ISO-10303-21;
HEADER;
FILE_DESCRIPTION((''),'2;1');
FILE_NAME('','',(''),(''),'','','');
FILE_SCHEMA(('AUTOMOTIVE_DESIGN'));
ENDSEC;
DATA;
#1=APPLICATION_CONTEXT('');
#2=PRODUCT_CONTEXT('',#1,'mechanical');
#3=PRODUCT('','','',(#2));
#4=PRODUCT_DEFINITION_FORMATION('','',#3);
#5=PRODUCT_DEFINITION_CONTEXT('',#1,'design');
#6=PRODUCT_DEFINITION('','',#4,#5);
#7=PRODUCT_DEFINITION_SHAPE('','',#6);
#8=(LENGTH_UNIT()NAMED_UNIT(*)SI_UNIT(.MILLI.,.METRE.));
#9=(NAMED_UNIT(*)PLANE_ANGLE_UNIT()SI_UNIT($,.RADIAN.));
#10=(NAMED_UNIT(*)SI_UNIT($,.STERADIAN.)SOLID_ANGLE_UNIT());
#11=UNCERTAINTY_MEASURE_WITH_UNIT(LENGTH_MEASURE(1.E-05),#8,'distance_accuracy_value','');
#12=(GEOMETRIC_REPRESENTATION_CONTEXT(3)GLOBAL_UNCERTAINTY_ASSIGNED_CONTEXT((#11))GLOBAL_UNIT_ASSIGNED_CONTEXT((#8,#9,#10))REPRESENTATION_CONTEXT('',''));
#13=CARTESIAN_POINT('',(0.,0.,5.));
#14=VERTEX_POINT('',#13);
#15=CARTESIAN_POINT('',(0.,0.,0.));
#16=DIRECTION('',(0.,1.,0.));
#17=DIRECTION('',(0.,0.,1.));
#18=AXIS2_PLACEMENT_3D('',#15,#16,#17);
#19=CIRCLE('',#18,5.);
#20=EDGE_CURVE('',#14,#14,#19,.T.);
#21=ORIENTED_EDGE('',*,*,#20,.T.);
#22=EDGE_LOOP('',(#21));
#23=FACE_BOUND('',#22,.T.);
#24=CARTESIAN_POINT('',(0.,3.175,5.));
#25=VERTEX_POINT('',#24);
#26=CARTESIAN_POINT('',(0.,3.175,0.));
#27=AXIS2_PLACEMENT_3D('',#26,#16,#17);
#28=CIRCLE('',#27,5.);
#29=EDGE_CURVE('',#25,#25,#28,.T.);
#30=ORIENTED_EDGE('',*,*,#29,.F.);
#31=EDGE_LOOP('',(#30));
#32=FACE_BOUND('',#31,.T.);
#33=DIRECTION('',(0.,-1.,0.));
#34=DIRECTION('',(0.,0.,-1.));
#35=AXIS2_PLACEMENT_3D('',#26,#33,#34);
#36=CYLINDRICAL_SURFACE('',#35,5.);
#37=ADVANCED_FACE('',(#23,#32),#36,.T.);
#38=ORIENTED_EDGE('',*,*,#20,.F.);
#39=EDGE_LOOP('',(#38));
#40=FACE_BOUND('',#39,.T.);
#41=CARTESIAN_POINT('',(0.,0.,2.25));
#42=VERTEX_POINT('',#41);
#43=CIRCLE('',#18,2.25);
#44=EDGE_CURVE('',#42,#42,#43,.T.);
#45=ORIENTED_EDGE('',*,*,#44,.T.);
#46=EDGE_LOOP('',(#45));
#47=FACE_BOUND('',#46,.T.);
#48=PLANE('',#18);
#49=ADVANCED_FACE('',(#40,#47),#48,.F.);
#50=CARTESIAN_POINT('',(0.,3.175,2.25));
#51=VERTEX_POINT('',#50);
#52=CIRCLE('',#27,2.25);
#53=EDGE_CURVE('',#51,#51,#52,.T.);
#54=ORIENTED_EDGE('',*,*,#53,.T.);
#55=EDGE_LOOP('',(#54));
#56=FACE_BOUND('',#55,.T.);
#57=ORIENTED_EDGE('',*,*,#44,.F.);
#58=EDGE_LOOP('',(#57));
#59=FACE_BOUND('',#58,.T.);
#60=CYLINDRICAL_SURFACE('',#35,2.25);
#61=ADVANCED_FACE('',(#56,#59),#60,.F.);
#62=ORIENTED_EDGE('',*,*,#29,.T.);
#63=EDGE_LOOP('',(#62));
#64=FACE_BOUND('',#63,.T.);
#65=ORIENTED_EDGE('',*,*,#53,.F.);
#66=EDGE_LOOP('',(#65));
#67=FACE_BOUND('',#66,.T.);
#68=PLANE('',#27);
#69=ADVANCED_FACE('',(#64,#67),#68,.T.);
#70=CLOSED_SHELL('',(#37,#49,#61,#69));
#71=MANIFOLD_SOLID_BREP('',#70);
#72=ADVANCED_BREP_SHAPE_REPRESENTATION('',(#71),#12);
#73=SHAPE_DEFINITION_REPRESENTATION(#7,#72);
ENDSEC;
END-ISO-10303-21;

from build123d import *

# Parameters (mm, degrees)
SKETCH1_R           = 5
SKETCH1_R_2         = 2.25
BOSS_EXTRUDE1_DEPTH = 3.175


with BuildPart() as part:
    # Sketch1 → Boss-Extrude1 (new body)
    with BuildSketch(Plane(origin=(0, 0, 0), x_dir=(1, 0, 0), z_dir=(0, 1, 0))):
        Circle(SKETCH1_R)
        Circle(SKETCH1_R_2, mode=Mode.SUBTRACT)
    extrude(amount=BOSS_EXTRUDE1_DEPTH)


solid = part.part
